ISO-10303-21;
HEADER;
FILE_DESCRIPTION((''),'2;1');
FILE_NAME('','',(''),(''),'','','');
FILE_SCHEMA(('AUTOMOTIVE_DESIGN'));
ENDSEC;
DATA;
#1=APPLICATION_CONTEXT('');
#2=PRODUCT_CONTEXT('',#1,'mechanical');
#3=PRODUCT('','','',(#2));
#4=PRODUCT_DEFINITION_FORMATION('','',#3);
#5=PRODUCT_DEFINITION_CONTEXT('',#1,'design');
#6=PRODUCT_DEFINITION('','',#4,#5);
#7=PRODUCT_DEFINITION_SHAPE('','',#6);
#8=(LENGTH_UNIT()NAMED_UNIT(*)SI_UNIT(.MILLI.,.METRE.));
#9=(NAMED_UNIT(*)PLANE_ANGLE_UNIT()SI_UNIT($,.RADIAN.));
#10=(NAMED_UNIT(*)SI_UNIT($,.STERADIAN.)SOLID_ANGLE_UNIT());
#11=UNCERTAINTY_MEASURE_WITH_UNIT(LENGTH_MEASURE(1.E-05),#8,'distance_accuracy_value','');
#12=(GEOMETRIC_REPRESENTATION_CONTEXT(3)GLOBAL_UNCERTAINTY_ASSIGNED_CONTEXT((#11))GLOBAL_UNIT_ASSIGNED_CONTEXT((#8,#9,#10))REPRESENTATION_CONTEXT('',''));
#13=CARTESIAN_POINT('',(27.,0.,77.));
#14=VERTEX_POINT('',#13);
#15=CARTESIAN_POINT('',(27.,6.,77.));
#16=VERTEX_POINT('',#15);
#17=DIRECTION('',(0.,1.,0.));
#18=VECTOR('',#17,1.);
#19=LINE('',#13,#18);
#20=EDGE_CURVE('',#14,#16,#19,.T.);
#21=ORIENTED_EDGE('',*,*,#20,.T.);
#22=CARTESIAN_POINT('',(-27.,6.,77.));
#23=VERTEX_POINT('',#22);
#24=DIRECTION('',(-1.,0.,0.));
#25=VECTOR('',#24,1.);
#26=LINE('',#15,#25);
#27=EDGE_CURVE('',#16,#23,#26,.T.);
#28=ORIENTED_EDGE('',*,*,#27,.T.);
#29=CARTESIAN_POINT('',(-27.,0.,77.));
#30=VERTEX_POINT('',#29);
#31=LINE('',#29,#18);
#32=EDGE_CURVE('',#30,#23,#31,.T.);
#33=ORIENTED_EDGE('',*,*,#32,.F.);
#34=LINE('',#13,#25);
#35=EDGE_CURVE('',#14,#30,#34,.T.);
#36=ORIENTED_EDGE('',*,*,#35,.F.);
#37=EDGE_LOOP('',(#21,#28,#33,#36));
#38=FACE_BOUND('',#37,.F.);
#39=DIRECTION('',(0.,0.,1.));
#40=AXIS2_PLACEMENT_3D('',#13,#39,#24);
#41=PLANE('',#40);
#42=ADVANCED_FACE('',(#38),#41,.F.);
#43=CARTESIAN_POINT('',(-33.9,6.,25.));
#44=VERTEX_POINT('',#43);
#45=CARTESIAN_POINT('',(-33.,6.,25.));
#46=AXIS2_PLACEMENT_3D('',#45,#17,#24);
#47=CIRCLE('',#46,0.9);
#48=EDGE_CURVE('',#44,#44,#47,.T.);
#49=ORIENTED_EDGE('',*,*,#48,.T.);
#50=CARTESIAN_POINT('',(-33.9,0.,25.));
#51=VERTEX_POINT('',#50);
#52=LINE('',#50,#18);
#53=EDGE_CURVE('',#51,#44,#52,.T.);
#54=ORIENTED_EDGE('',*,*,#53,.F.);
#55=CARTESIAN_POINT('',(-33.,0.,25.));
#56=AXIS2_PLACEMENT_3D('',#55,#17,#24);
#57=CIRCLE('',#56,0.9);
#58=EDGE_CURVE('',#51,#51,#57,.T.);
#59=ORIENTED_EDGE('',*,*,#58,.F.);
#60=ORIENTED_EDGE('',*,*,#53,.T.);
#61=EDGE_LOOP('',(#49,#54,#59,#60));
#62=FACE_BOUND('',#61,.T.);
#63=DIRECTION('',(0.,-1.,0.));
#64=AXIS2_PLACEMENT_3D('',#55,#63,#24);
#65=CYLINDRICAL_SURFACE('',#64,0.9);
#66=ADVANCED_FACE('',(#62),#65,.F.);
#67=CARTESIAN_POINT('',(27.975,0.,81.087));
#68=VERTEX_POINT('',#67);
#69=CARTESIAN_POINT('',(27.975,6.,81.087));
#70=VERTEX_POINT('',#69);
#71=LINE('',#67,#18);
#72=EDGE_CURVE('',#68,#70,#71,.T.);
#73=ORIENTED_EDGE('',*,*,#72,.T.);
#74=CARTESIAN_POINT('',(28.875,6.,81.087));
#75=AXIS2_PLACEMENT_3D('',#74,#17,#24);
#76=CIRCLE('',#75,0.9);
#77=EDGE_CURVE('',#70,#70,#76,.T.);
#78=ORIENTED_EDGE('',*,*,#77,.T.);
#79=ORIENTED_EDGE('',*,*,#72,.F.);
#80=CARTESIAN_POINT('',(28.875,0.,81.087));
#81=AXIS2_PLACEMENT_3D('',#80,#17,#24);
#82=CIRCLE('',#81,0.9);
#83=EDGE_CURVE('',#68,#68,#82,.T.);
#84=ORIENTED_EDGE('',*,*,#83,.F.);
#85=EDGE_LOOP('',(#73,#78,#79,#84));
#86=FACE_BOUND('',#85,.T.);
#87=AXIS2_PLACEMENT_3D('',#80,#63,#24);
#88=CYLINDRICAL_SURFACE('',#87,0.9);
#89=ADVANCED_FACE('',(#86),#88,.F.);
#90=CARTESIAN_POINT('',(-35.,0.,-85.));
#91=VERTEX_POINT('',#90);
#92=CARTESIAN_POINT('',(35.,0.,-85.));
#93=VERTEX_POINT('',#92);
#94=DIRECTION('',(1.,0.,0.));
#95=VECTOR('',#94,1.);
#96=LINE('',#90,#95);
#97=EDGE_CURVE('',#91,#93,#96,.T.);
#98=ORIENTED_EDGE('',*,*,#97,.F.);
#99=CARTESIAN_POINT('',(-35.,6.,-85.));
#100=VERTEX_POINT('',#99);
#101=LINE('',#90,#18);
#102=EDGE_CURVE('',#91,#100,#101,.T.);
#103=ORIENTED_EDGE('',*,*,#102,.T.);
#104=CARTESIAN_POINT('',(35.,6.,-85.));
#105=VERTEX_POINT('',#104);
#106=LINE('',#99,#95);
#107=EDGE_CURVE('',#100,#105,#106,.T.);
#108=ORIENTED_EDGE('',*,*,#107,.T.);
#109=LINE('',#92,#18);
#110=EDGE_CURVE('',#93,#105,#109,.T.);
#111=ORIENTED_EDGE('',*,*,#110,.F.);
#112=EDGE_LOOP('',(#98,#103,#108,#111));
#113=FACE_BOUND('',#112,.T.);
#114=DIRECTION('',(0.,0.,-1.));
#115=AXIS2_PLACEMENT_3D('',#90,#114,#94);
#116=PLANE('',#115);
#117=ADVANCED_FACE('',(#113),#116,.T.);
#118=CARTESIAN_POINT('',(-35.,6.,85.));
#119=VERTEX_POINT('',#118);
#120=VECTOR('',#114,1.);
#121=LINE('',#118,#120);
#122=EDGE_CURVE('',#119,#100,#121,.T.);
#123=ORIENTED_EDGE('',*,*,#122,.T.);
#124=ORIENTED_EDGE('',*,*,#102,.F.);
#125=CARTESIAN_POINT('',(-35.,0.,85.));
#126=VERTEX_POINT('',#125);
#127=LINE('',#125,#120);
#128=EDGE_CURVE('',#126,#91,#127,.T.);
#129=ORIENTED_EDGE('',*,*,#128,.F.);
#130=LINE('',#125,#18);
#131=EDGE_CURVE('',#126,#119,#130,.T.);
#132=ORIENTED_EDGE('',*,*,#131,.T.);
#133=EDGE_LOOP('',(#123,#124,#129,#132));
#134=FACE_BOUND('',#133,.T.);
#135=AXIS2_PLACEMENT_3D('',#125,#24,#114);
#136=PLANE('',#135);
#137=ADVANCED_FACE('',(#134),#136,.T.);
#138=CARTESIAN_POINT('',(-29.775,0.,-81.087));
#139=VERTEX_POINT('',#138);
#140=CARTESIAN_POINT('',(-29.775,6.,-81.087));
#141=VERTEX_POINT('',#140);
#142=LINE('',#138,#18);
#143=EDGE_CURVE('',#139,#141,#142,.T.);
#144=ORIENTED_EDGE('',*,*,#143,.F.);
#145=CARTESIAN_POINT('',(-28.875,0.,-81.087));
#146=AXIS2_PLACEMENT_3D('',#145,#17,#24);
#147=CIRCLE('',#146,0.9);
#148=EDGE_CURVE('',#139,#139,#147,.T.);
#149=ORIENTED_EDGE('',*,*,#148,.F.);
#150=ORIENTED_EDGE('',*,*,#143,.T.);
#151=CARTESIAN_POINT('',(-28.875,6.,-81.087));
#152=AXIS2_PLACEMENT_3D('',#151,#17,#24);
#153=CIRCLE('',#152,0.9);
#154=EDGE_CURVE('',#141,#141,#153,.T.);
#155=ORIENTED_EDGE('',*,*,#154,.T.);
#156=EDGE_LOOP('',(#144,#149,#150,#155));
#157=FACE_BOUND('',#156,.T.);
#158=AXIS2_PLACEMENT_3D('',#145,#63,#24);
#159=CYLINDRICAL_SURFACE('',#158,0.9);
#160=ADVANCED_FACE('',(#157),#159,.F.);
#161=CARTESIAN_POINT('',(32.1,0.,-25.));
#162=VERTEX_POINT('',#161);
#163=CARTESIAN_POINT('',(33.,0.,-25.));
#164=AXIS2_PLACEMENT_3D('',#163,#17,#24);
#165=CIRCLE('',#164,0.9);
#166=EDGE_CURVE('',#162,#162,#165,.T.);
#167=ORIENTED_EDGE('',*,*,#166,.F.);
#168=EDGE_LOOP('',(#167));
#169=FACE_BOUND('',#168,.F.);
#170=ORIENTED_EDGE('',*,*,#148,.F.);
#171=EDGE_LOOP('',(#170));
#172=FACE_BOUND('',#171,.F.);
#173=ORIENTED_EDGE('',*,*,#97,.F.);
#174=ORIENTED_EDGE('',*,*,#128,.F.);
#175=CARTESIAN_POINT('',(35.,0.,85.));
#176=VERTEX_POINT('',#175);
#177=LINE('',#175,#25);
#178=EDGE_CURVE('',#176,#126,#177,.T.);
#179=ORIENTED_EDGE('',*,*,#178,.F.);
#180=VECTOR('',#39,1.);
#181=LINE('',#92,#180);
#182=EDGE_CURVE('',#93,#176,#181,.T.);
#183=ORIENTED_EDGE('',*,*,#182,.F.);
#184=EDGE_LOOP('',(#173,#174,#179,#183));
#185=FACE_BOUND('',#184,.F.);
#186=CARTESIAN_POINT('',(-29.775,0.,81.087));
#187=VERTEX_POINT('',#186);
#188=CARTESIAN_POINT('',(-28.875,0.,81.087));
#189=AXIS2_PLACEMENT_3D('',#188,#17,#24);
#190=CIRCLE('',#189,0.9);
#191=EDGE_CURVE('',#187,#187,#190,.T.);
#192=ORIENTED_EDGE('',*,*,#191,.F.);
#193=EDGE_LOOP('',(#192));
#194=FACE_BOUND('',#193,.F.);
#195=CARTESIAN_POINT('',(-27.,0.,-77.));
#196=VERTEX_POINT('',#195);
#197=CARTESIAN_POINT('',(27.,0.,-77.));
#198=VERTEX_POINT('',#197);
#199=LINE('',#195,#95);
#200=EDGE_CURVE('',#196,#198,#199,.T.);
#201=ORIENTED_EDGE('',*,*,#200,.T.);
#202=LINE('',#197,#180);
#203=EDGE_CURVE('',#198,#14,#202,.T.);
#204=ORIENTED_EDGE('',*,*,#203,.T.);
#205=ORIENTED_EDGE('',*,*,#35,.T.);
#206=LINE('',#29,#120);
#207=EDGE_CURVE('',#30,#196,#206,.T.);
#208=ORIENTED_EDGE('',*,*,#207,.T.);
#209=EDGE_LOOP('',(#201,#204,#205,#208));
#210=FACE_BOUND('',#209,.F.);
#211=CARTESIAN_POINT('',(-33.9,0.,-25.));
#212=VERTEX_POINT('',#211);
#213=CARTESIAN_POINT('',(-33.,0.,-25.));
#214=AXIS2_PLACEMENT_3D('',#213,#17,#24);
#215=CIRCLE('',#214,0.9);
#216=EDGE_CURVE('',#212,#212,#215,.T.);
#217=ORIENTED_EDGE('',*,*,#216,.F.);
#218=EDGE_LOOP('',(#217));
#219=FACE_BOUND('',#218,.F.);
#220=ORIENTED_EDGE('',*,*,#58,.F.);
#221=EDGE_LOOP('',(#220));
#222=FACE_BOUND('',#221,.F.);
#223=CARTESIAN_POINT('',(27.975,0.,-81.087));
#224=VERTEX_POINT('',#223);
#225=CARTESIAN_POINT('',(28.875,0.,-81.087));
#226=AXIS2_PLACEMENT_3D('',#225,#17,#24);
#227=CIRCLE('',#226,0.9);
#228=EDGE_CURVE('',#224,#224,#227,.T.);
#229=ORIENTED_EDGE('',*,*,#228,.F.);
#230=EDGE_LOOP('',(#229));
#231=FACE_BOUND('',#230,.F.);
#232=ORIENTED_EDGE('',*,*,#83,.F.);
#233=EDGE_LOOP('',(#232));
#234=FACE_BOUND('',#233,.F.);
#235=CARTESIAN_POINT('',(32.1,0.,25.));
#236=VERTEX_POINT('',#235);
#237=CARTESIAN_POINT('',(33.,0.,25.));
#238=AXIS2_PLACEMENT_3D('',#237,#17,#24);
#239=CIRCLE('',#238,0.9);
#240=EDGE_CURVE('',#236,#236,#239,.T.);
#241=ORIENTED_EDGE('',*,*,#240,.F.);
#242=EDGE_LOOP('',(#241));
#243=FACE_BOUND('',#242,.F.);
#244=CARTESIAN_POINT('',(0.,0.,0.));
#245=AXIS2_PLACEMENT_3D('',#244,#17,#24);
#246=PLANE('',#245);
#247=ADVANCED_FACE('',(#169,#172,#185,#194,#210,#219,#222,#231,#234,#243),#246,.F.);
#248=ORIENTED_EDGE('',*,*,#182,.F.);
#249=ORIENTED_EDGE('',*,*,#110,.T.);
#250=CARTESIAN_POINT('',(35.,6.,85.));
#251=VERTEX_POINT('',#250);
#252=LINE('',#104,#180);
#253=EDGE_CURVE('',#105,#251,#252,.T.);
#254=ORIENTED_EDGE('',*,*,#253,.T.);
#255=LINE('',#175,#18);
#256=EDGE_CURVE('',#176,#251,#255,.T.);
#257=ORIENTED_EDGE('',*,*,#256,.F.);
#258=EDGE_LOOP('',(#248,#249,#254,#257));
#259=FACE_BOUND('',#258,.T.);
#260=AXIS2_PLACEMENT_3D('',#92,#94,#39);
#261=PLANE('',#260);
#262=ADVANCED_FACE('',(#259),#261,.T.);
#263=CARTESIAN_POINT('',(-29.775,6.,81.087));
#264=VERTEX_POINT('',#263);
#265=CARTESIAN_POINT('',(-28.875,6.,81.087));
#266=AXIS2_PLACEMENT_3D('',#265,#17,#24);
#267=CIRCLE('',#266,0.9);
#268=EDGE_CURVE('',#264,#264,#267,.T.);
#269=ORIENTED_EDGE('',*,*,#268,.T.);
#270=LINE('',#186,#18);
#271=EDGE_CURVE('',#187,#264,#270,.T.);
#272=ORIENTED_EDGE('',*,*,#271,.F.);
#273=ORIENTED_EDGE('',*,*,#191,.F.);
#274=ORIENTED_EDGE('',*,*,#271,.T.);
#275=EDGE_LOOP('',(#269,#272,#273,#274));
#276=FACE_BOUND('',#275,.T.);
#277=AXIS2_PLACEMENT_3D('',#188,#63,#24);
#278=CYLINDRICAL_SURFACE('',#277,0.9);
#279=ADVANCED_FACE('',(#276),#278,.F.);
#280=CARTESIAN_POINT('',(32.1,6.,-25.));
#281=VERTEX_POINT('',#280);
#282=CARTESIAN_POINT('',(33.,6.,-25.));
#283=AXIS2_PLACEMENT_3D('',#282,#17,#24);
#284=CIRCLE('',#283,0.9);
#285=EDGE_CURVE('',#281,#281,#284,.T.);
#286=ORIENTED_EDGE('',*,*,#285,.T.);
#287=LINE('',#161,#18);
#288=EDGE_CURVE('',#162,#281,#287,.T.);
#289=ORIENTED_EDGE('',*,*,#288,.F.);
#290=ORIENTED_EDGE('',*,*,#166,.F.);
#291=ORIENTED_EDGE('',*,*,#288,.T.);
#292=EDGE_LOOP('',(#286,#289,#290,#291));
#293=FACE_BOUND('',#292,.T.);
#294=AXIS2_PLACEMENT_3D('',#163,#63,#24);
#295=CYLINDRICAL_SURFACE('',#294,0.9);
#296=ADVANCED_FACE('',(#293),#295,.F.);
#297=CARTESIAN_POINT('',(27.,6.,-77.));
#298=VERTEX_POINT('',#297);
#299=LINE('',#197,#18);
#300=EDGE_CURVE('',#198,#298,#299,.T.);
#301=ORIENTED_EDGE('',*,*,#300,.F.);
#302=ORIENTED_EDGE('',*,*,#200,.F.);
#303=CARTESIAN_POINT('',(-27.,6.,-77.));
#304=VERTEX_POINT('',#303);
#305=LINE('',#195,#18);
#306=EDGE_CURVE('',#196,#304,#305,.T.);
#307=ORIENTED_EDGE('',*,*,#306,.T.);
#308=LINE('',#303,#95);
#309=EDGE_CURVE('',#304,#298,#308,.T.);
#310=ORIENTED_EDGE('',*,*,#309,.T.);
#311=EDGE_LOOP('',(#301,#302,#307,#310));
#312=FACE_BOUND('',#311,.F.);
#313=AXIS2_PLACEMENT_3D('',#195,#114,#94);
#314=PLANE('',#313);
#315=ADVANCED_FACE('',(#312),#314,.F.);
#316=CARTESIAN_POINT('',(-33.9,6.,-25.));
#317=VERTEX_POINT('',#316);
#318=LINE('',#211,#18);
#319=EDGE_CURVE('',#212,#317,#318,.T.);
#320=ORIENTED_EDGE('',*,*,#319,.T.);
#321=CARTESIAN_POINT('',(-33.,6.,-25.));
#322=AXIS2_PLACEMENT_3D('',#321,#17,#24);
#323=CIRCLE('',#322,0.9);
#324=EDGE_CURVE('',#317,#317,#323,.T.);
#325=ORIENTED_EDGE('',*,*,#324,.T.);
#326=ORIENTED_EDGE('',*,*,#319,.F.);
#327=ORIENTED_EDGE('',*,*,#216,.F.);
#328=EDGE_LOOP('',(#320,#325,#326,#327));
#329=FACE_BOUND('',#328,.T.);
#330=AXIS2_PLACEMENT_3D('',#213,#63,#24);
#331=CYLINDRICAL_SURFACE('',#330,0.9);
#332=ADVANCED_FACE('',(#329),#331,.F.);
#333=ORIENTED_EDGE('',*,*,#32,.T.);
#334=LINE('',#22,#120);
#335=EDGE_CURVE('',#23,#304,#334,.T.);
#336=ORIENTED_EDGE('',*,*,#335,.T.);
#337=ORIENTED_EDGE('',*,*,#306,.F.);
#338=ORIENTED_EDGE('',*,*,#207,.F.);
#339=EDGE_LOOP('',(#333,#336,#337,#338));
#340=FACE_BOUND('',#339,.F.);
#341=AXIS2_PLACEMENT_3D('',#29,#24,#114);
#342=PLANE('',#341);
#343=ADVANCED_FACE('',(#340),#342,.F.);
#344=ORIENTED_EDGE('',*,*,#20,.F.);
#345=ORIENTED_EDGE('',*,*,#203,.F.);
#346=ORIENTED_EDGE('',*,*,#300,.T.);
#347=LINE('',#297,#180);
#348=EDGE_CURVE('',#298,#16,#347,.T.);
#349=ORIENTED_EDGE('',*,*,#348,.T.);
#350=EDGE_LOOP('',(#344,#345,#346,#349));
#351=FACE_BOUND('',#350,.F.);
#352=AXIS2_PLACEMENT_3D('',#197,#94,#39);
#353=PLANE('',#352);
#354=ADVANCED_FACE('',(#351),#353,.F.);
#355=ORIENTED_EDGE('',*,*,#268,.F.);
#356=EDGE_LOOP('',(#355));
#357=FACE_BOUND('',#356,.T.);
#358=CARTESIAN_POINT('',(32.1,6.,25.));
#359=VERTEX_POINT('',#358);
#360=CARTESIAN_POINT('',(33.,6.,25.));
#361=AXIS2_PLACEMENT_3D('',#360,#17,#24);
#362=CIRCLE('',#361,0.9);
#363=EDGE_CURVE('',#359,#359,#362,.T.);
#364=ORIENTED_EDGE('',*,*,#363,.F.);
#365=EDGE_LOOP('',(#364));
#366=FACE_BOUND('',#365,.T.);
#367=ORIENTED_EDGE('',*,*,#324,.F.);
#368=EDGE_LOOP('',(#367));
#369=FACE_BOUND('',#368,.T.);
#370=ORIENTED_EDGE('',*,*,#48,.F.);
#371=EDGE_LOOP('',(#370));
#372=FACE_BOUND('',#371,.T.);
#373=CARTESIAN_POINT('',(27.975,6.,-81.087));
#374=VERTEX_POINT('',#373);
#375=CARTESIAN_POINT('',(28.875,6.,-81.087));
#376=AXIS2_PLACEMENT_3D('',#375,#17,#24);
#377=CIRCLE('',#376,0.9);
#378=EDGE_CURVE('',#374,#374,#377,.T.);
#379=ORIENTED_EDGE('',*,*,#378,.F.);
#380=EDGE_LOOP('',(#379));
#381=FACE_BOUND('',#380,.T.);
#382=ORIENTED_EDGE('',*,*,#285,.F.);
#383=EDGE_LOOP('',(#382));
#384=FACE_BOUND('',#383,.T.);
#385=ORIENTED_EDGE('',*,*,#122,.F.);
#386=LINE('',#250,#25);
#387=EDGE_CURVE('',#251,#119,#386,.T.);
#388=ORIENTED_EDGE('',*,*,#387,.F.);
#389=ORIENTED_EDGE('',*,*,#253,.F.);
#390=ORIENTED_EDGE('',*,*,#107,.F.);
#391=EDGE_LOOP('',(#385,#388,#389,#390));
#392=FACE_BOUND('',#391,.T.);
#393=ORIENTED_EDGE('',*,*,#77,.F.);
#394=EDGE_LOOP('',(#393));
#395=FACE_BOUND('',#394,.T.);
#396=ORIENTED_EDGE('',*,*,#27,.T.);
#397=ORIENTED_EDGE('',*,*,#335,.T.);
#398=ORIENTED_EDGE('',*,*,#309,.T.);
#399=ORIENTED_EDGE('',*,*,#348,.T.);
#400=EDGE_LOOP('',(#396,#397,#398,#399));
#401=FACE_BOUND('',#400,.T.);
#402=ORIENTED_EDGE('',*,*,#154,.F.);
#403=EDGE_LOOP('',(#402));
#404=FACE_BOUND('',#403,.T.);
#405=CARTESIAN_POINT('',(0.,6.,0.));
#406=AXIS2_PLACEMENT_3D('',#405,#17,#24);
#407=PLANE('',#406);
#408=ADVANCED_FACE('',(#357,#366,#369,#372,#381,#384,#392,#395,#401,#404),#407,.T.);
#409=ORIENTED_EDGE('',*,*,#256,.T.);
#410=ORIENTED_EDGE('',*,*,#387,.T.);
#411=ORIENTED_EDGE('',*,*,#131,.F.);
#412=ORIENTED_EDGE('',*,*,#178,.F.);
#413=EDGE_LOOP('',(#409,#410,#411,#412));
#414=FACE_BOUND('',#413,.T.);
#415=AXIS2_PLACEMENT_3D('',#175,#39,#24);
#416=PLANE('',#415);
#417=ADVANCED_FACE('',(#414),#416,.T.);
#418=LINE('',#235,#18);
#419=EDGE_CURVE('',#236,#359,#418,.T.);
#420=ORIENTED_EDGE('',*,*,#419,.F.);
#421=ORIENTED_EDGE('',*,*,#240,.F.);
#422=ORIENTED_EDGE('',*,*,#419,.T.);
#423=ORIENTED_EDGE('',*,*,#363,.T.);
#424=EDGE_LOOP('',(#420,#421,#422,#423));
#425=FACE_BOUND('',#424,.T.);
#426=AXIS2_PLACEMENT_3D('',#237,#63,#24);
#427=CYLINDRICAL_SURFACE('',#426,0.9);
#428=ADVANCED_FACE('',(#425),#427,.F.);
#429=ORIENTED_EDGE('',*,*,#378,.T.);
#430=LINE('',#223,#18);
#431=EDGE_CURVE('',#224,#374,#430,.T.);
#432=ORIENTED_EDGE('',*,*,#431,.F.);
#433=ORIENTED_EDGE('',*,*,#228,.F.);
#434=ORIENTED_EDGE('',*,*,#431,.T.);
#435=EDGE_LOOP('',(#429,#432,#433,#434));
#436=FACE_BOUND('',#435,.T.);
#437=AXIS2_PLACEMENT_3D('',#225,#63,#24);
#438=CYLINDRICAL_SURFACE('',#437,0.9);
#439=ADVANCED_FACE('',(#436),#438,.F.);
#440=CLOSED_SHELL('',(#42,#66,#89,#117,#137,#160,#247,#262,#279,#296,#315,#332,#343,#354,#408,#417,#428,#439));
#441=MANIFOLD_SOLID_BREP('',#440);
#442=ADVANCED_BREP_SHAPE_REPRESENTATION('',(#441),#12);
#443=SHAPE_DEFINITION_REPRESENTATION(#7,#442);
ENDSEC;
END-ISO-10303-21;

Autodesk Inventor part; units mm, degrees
ref_plane "YZ Plane" through (0, 0, 0) normal (1, 0, 0) x (0, 1, 0)
ref_plane "XZ Plane" through (0, 0, 0) normal (0, 1, 0) x (-1, 0, 0)
ref_plane "XY Plane" through (0, 0, 0) normal (0, 0, 1) x (1, 0, 0)
sketch "Sketch1" plane through (0, 0, 0) normal (0, 1, 0) x (-1, 0, 0)
  line L0 (-27, 77) -> (27, 77)
  line L1 (27, 77) -> (27, -77)
  line L2 (27, -77) -> (-27, -77)
  line L3 (-27, -77) -> (-27, 77)
  line L4 (-27, 77) -> (27, -77) construction
  line L5 (27, 77) -> (-27, -77) construction
  line L6 (-35, 85) -> (35, 85)
  line L7 (35, 85) -> (35, -85)
  line L8 (35, -85) -> (-35, -85)
  line L9 (-35, -85) -> (-35, 85)
  line L10 (-35, 85) -> (35, -85) construction
  line L11 (35, 85) -> (-35, -85) construction
  circle A0 centre (28.875, -81.087) radius 0.9
  circle A1 centre (33, -25) radius 0.9
  line L12 (0, 0) -> (0, -26.4871)
  line L13 (0, 0) -> (15.9434, 0)
  circle A2 centre (-28.875, -81.087) radius 0.9
  circle A3 centre (-33, -25) radius 0.9
  circle A4 centre (28.875, 81.087) radius 0.9
  circle A5 centre (33, 25) radius 0.9
  circle A6 centre (-28.875, 81.087) radius 0.9
  circle A7 centre (-33, 25) radius 0.9
  dimension "d0" = 8
  dimension "d1" = 8
  dimension "d2" = 70
  dimension "d3" = 170
  dimension "d6" = 1.8
  dimension "d7" = 1.8
  dimension "d8" = 57.75
  dimension "d9" = 33
  dimension "d10" = 25
extrude "Extrusion1" add sketch "Sketch1" along normal blind 6
equation "\"d1\" = d0"
properties part number "case_top_cover_slot" material "Acrylic, Clear"
